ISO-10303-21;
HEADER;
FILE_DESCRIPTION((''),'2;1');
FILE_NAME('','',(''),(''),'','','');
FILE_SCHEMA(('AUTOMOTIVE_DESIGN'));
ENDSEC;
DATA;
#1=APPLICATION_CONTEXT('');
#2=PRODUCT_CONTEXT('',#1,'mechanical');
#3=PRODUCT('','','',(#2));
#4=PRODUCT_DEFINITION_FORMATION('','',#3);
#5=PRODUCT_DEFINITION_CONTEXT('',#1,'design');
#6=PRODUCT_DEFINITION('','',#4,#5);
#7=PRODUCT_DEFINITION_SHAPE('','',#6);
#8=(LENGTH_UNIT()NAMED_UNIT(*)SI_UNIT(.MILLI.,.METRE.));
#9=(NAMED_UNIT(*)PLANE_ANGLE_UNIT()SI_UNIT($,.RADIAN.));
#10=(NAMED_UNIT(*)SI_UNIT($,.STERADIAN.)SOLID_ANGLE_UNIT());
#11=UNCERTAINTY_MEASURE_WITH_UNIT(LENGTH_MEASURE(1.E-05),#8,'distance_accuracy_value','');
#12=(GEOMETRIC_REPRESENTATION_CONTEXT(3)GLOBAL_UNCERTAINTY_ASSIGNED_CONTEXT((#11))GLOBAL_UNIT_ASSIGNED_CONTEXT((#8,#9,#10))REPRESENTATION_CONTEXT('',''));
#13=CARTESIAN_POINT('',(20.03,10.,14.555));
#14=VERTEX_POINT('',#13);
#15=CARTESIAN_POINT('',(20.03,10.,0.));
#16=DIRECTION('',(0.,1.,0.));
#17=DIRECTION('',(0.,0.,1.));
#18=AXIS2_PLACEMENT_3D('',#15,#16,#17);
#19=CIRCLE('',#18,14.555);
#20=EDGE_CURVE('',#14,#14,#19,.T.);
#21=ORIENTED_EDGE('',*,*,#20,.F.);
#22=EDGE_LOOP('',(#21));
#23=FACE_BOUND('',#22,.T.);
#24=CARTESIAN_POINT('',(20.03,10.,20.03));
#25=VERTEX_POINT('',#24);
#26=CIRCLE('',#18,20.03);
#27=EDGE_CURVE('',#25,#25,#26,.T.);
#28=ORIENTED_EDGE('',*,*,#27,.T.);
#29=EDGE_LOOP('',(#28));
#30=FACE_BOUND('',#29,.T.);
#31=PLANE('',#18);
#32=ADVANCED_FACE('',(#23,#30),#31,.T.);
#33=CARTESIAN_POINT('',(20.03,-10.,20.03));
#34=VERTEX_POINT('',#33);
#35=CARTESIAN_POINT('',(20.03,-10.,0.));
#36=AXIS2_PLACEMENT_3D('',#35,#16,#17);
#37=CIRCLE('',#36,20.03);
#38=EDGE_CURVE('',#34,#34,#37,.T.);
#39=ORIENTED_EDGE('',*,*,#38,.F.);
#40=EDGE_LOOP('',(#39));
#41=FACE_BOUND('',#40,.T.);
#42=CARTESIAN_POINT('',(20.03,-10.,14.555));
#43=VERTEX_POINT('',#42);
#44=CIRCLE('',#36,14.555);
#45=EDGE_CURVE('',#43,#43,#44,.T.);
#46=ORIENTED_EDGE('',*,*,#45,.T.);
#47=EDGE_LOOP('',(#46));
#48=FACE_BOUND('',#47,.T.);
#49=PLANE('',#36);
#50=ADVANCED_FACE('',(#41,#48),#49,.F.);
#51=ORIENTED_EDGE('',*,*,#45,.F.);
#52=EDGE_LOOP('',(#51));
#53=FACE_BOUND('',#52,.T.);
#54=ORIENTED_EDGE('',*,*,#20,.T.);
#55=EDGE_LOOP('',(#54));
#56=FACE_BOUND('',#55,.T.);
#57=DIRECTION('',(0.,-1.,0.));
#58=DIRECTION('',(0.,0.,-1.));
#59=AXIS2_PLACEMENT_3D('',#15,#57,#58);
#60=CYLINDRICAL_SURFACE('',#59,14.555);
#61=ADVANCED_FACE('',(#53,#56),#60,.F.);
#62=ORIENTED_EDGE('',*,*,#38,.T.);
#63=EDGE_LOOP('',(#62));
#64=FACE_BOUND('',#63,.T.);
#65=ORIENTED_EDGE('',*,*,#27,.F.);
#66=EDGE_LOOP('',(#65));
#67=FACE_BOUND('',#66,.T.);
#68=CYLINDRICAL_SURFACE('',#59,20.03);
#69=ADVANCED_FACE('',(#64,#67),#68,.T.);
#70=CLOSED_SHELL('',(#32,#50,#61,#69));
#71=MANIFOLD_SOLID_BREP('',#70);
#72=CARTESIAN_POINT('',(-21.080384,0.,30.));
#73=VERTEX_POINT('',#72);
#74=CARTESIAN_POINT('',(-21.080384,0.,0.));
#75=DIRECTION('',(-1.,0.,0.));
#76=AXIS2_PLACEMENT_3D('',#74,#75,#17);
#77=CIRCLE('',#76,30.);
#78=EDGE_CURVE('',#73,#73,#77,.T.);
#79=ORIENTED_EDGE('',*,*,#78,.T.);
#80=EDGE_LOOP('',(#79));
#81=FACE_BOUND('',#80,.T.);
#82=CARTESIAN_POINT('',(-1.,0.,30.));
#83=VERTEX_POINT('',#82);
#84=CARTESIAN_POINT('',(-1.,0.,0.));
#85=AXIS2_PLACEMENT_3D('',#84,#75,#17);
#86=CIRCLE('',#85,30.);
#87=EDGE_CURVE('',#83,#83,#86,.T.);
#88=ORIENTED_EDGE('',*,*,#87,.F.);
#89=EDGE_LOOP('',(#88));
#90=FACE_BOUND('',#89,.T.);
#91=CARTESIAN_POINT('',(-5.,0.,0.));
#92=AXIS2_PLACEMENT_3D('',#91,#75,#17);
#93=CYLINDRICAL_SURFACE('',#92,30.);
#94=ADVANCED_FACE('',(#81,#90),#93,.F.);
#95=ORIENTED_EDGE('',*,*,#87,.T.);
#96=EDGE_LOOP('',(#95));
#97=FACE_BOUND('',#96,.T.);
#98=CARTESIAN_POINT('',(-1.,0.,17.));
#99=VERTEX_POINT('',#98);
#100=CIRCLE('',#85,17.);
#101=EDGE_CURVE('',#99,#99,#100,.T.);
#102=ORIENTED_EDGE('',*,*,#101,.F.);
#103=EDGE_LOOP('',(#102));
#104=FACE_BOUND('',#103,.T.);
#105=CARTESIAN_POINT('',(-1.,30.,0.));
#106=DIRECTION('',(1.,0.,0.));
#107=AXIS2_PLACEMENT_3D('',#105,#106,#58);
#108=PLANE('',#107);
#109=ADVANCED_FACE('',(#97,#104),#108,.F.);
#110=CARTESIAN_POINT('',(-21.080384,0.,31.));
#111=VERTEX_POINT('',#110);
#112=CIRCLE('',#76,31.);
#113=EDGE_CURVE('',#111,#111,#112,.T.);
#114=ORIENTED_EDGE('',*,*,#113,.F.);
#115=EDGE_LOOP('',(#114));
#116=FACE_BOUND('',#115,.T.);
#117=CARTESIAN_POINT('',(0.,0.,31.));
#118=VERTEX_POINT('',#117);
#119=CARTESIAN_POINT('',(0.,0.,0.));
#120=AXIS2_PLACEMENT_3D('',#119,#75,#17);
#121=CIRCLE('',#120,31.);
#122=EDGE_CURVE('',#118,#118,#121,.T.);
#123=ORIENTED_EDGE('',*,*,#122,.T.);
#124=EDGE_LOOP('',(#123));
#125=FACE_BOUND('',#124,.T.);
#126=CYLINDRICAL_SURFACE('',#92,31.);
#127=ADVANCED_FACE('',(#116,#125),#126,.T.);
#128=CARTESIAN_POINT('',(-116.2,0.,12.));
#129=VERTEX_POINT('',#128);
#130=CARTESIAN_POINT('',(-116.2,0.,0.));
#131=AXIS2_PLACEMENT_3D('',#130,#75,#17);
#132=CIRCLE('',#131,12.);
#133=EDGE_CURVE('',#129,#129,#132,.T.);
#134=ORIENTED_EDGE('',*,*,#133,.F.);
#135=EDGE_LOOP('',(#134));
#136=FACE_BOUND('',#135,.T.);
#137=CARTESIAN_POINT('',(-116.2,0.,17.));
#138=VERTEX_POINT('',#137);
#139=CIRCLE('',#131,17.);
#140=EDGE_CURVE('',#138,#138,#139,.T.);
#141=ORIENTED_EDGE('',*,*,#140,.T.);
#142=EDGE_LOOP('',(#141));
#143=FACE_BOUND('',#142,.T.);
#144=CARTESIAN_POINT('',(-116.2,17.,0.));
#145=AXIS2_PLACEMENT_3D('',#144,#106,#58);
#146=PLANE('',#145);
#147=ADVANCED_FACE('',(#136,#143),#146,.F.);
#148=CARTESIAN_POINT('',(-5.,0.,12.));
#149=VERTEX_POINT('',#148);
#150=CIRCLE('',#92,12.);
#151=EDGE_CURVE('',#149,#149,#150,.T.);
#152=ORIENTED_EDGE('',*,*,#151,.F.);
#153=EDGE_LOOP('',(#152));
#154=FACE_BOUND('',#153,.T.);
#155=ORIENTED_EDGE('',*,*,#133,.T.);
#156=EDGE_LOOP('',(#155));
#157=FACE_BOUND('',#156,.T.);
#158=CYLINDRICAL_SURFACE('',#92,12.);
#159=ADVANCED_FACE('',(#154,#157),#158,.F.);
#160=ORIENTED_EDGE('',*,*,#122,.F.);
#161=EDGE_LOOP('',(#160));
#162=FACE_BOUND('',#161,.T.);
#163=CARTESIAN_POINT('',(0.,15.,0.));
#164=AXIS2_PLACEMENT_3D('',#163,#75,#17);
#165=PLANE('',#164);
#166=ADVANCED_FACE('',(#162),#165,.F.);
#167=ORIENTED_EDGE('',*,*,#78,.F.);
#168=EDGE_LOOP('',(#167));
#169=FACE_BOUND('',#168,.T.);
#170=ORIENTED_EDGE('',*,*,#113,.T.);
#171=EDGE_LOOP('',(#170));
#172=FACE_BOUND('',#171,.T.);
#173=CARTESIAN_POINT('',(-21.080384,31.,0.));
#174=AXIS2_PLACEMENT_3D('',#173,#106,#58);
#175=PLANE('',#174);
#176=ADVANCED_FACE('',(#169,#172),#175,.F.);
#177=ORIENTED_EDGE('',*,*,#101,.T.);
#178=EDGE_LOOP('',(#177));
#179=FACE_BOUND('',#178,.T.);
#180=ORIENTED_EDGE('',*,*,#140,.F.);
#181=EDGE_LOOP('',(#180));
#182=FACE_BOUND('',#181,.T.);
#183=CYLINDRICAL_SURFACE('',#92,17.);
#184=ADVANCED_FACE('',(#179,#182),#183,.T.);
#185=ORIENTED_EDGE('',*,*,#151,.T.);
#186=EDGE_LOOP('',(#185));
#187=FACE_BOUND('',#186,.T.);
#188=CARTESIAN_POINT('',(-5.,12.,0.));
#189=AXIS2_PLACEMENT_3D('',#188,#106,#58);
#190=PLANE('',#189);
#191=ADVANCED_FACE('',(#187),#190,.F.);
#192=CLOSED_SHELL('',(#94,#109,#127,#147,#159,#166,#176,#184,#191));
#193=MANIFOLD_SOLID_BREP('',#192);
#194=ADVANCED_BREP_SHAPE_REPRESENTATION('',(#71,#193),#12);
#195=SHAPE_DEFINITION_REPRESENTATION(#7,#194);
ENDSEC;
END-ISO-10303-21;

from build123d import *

# Parameters (mm, degrees)
SKETCH2_R           = 20.03
SKETCH2_R_2         = 14.555
BOSS_EXTRUDE1_DEPTH = 10


with BuildPart() as part:
    # Sketch1 → Revolve1 (revolve)
    with BuildSketch(Plane.XY, mode=Mode.PRIVATE) as revolve1_sk:
        Polygon((-116.2, 12), (-5, 12), (-5, 0), (0, 0), (0, 15), (0, 31), (-21.080384326, 31), (-21.080384326, 30), (-1, 30), (-1, 17), (-116.2, 17), align=None)
    revolve(revolve1_sk.sketch.rotate(Axis((-5, 0, 0), (1, 0, 0)), 90), axis=Axis((-5, 0, 0), (1, 0, 0)))


with BuildPart() as body_2:
    # Sketch2 → Boss-Extrude1 (new, symmetric)
    with BuildSketch(Plane(origin=(0, 0, 0), x_dir=(1, 0, 0), z_dir=(0, 1, 0))):
        with Locations(Location((20.03, 0, 0), (0, 0, 270))):
            Circle(SKETCH2_R)
        with Locations(Location((20.03, 0, 0), (0, 0, 270))):
            Circle(SKETCH2_R_2, mode=Mode.SUBTRACT)
    extrude(amount=BOSS_EXTRUDE1_DEPTH, both=True)


solid = Compound([part.part, body_2.part])
